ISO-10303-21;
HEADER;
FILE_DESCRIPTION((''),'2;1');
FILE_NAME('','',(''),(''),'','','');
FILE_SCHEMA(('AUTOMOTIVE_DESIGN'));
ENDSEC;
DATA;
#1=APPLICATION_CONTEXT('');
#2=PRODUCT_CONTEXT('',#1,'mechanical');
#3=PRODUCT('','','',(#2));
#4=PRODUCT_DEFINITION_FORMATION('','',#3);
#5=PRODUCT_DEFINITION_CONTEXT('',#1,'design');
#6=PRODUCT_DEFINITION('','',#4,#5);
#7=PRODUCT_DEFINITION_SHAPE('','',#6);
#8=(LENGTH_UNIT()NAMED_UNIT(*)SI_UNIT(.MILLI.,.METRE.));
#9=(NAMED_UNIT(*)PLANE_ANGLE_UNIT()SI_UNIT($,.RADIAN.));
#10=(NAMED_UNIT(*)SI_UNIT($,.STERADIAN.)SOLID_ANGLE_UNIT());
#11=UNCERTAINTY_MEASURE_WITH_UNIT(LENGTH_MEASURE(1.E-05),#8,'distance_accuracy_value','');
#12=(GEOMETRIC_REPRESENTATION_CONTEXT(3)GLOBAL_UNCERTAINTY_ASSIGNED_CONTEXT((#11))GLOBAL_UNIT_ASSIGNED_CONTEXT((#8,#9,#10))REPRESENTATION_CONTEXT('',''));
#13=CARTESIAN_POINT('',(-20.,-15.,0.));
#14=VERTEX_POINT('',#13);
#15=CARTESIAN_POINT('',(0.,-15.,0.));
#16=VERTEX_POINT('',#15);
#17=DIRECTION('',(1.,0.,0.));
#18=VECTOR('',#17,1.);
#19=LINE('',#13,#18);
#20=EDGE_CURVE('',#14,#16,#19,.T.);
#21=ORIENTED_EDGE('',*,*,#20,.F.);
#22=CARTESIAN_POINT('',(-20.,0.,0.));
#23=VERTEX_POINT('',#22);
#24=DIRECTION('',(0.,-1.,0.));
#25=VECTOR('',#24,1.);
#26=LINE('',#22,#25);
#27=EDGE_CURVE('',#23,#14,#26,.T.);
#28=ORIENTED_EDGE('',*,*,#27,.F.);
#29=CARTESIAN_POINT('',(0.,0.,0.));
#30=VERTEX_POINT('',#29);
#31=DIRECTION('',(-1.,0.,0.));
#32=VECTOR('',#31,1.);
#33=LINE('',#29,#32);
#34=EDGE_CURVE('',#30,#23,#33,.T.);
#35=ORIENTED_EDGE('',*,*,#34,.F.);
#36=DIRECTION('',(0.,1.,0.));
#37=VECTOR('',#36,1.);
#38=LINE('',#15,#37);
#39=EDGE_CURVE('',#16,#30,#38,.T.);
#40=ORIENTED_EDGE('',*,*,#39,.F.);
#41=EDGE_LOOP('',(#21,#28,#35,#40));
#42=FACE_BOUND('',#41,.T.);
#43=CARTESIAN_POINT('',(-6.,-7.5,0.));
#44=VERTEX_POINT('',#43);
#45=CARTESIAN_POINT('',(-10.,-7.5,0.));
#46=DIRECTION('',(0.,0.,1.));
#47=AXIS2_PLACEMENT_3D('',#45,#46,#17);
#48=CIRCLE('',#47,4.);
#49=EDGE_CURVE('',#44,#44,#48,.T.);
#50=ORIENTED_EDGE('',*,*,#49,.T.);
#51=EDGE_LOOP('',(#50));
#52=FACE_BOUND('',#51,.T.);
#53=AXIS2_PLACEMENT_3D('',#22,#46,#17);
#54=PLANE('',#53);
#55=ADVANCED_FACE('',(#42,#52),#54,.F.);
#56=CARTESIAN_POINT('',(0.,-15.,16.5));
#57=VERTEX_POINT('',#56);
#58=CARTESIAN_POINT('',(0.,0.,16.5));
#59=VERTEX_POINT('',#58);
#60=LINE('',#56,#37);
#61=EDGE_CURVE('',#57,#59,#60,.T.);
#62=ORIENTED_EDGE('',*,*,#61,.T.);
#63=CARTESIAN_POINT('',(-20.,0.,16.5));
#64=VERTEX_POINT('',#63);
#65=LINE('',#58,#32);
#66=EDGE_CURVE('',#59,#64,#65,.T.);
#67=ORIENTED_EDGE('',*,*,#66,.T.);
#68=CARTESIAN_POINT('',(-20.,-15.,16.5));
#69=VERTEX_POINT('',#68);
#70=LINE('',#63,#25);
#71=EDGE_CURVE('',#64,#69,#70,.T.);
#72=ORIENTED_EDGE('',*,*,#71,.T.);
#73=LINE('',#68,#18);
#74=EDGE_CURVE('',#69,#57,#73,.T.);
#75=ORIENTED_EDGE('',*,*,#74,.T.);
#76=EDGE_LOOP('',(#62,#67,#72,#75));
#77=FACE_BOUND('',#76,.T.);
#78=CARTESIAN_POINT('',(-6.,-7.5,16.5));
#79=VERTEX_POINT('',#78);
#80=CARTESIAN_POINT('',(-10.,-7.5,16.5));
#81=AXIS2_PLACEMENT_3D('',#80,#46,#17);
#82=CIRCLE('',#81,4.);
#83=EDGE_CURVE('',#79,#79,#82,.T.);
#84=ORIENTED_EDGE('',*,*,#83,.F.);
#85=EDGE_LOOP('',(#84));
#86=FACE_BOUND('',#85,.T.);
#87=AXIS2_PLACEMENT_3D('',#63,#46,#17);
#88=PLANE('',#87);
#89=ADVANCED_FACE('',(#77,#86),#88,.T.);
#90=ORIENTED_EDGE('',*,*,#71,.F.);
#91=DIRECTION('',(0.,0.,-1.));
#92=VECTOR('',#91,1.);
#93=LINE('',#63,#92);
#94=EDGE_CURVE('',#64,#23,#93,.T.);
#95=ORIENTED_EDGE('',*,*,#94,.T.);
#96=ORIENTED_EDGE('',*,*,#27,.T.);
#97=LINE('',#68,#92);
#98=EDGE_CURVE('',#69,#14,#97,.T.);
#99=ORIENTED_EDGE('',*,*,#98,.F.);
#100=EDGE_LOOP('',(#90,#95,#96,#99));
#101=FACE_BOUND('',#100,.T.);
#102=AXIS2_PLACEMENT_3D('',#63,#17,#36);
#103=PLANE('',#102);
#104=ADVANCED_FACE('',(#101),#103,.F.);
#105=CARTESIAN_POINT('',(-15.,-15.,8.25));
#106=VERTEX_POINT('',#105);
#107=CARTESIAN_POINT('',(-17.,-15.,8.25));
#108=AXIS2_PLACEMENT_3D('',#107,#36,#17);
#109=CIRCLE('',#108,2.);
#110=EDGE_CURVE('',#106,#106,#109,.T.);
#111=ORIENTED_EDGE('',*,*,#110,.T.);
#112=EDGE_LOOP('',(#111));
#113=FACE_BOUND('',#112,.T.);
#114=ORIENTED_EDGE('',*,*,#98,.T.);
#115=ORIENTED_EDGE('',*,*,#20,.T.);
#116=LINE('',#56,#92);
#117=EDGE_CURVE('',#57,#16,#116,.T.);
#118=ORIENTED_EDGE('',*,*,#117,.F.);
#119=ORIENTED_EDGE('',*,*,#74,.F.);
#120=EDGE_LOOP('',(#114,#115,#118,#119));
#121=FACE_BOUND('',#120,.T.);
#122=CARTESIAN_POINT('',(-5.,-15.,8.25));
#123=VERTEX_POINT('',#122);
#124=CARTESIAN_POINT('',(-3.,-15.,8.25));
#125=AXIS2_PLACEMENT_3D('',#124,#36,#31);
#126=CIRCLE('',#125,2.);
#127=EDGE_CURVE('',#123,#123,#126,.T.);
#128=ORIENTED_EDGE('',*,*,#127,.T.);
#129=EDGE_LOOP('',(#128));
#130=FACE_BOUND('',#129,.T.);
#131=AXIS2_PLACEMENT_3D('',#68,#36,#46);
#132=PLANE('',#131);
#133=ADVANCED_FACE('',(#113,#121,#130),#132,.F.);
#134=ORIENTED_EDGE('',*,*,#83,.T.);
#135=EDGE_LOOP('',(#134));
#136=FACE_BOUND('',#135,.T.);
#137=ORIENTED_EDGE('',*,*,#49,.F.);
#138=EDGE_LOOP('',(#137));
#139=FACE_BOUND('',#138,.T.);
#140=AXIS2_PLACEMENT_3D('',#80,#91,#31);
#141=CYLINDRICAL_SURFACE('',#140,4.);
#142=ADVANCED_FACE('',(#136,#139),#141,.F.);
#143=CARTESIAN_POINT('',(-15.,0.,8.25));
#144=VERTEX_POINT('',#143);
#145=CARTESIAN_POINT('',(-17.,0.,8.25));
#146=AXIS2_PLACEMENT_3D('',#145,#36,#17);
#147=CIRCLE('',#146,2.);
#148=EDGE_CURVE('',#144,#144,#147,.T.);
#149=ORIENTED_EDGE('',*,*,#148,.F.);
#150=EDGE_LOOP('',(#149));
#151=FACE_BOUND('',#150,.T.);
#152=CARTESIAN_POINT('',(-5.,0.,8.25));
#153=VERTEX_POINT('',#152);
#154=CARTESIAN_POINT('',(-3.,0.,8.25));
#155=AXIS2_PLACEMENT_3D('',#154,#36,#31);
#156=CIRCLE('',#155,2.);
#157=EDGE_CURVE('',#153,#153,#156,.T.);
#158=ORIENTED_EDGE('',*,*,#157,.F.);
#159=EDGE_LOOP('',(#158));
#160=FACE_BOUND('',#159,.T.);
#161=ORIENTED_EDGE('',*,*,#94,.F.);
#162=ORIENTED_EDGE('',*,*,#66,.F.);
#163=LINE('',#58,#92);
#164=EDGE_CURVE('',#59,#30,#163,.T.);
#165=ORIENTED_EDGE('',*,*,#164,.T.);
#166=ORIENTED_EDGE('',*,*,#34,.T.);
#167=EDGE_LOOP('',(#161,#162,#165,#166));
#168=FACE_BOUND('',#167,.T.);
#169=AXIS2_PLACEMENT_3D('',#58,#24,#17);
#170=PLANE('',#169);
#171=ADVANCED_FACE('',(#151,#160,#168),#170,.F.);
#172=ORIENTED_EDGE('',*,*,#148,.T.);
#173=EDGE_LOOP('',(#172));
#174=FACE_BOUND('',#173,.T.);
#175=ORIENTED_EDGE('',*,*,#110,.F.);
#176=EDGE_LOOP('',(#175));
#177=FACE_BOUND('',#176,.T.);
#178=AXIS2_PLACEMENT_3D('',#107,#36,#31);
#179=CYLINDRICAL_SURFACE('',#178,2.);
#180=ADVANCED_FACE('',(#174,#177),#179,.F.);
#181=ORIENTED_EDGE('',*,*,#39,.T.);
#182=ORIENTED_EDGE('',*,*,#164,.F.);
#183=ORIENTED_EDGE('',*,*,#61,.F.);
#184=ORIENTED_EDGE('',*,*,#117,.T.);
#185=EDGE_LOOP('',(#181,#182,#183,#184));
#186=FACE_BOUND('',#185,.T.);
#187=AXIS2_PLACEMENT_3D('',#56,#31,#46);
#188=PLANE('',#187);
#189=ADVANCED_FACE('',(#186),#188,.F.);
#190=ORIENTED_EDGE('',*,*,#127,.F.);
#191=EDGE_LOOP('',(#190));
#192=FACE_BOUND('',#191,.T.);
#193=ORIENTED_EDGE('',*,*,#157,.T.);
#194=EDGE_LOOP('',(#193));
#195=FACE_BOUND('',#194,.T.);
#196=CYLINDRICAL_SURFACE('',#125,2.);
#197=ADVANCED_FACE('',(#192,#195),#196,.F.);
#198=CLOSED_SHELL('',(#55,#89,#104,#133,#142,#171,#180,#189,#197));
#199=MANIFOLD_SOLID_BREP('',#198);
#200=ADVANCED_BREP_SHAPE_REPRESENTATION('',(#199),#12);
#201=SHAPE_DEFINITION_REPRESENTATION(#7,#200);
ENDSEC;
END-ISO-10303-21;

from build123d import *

# Parameters (mm, degrees)
ESQUISSE1_W      = 20
ESQUISSE1_H      = 15
ESQUISSE1_R      = 4
EXTRUSION1_DEPTH = 16.5
ESQUISSE2_R      = 2
EXTRUSION3_DEPTH = 16


with BuildPart() as part:
    # Esquisse1 → Extrusion1 (new body)
    with BuildSketch(Plane.XY):
        with Locations((-10, -7.5)):
            Rectangle(ESQUISSE1_W, ESQUISSE1_H)
        with Locations((-10, -7.5)):
            Circle(ESQUISSE1_R, mode=Mode.SUBTRACT)
    extrude(amount=EXTRUSION1_DEPTH)

    # Esquisse2 → Extrusion3 (cut, through all)
    with BuildSketch(Plane(origin=(0, 0, 0), x_dir=(1, 0, 0), z_dir=(0, 1, 0))):
        with Locations((-17, -8.25)):
            Circle(ESQUISSE2_R)
        with Locations((-3, -8.25)):
            Circle(ESQUISSE2_R)
    extrude(amount=-EXTRUSION3_DEPTH, mode=Mode.SUBTRACT)


solid = part.part
